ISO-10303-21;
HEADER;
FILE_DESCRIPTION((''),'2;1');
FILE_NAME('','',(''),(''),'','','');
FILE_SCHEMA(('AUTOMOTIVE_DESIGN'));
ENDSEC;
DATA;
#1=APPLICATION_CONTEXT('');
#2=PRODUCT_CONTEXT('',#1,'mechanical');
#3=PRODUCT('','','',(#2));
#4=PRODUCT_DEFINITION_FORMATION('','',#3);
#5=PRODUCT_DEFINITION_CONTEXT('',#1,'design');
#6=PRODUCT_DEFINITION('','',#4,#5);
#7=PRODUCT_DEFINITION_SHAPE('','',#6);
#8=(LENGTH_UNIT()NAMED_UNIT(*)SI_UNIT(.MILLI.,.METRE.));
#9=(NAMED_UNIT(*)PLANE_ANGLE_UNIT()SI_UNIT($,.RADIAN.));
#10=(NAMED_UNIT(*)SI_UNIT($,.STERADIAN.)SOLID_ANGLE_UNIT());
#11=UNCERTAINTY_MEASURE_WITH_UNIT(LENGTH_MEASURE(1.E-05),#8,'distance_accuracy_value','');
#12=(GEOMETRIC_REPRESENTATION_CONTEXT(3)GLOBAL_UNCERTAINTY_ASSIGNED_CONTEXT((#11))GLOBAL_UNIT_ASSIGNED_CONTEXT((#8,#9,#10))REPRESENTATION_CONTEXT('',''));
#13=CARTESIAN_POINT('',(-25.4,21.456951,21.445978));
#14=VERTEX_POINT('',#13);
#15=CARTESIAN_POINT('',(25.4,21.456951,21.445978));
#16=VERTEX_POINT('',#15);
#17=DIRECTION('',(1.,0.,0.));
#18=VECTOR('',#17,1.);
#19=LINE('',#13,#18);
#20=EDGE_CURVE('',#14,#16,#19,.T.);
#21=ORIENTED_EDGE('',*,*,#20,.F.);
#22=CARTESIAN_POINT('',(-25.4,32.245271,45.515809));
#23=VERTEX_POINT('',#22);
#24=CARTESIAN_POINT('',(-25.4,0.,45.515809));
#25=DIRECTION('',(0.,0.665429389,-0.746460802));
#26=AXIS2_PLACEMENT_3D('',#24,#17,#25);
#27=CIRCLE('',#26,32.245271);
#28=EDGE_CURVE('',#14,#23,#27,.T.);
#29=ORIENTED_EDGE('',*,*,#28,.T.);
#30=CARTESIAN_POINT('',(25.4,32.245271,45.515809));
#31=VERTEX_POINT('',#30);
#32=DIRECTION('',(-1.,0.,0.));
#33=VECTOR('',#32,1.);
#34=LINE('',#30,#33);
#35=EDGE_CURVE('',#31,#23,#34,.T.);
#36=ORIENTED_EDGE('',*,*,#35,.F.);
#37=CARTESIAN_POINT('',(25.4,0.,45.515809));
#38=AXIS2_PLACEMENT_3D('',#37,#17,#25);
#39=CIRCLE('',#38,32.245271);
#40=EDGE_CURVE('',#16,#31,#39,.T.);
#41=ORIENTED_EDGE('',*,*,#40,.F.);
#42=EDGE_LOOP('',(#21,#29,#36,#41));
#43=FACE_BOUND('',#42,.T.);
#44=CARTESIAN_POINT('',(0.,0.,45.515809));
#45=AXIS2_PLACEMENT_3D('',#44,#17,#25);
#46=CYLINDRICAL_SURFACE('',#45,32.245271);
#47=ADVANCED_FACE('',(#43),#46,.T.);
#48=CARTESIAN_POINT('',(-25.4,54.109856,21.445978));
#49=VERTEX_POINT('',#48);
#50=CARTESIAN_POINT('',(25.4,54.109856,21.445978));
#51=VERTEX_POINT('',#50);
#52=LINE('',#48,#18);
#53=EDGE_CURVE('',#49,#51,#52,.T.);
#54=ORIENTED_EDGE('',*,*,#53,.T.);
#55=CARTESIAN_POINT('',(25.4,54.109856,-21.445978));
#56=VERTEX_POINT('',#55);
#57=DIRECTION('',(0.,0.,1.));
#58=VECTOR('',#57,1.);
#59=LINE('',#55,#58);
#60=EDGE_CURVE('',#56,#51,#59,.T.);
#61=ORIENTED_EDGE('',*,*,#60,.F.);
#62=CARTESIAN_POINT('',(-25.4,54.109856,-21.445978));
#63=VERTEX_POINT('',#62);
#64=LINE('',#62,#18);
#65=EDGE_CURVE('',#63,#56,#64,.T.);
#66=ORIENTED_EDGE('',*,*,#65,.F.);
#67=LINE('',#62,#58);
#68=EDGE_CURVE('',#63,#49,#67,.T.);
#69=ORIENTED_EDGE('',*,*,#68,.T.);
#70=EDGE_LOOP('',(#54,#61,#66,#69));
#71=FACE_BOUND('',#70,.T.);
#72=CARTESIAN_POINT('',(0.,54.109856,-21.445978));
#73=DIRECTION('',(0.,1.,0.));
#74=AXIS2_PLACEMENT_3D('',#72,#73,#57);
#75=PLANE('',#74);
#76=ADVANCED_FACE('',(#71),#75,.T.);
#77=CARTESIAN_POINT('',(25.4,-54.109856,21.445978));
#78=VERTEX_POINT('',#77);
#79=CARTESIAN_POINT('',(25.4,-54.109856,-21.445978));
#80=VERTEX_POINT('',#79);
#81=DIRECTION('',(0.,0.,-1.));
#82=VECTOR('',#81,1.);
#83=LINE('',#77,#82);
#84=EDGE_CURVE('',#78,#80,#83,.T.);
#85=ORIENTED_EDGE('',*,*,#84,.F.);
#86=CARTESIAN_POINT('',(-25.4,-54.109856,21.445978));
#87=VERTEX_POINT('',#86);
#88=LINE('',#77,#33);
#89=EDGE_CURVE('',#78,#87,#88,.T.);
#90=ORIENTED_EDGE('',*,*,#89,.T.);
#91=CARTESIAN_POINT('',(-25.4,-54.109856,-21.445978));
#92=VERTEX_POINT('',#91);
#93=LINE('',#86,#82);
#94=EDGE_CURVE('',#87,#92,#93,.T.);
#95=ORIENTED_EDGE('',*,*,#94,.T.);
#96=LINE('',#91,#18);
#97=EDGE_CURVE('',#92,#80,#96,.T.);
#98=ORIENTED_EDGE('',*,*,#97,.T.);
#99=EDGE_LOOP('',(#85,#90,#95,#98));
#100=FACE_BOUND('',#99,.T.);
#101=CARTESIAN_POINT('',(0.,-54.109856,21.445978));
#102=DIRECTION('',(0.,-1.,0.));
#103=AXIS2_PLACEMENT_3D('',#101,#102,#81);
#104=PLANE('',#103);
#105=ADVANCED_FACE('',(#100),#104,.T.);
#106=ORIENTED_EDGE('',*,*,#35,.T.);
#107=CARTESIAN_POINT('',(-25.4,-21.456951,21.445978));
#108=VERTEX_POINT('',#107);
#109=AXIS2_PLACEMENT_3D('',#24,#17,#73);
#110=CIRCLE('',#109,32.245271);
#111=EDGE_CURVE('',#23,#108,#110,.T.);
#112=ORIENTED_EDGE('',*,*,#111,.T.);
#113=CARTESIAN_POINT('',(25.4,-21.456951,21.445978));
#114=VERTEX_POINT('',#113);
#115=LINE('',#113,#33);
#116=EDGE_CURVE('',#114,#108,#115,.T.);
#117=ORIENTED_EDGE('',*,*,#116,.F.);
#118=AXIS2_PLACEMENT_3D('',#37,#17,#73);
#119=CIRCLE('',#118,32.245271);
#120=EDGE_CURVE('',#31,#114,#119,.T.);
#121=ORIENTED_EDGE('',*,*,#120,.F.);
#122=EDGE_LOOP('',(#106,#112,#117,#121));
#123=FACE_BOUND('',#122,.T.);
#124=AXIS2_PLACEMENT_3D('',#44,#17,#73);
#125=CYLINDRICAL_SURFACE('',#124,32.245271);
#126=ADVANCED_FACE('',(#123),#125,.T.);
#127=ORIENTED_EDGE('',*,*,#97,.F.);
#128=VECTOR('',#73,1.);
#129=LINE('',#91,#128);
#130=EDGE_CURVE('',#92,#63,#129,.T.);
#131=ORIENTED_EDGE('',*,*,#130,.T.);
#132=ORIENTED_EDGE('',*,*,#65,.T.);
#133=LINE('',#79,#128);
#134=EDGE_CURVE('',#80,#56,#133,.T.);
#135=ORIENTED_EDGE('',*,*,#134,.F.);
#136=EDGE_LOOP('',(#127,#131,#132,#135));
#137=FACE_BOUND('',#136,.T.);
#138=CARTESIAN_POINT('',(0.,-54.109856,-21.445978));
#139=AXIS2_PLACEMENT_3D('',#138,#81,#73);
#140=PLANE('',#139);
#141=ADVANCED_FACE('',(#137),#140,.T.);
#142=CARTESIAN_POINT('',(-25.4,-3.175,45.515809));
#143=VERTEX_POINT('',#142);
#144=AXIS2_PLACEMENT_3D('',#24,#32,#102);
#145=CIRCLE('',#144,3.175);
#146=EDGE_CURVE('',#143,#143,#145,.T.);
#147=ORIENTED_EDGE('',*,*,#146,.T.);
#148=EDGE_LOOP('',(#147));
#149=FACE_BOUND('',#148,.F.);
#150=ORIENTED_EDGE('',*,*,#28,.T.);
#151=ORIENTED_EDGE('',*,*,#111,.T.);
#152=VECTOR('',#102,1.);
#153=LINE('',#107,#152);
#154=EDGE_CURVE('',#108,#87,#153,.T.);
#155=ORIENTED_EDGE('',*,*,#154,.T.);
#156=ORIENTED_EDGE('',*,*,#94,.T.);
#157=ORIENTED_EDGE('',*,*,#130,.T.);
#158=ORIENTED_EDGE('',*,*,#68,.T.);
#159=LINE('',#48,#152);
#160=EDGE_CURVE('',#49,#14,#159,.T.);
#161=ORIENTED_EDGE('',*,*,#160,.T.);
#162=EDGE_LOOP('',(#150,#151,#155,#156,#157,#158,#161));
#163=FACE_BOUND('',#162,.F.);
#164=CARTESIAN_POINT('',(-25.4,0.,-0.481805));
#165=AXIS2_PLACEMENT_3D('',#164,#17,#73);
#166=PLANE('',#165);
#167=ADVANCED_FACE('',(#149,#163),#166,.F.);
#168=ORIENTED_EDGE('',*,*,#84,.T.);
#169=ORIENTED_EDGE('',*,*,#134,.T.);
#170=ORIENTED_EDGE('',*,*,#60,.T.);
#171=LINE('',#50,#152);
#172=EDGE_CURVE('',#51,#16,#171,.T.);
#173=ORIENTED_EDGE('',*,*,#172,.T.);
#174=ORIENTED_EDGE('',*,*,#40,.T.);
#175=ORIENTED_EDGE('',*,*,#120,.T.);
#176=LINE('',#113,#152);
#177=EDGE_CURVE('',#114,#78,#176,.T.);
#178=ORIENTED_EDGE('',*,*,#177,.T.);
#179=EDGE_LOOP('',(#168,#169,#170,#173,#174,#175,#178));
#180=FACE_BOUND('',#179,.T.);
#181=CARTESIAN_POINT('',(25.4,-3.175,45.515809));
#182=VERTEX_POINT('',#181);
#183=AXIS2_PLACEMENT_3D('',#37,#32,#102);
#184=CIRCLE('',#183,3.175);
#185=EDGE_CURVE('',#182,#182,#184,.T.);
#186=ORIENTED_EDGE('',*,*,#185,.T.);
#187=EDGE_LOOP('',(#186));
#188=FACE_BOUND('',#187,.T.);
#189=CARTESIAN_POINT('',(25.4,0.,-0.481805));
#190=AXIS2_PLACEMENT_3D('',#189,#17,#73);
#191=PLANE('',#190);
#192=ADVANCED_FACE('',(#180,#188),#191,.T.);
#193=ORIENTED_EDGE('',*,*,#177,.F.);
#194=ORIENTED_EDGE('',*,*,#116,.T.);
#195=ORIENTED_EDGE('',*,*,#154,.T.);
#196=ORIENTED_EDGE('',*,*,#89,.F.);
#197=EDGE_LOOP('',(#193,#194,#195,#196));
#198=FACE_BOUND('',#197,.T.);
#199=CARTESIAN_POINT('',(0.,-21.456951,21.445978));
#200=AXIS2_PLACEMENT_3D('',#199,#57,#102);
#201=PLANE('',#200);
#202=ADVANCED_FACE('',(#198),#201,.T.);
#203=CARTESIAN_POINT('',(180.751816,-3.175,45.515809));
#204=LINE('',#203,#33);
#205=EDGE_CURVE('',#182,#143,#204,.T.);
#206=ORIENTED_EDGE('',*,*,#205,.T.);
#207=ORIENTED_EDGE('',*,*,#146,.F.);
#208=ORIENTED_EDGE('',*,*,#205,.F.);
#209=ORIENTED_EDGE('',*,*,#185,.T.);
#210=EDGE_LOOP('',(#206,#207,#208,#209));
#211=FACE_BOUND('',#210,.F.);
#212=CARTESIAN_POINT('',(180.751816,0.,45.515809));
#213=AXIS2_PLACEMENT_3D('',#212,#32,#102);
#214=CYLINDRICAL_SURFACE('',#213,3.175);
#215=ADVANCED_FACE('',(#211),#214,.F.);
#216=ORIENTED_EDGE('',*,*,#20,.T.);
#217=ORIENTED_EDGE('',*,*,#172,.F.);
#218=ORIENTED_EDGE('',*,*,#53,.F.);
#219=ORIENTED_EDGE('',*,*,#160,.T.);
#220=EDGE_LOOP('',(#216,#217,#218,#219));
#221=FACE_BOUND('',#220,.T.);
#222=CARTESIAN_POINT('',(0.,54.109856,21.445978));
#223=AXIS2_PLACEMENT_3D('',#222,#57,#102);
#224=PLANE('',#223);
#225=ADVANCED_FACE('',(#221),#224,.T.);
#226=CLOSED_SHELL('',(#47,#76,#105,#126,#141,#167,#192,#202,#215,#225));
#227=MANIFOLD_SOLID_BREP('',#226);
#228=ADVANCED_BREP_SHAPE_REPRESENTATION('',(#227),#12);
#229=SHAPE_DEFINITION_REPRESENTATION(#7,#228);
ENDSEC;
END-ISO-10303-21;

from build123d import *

# Parameters (mm, degrees)
F1_DEPTH = 12.7
F2_DEPTH = 25.4
F4_D     = 6.35


with BuildPart() as f1:
    # F0 (on Right) → F1 (new body, symmetric)
    with BuildSketch(Plane.YZ):
        with BuildLine():
            Line((-54.1098564863, 21.4459784329), (-54.1098564863, -21.4459784329))
            Line((-54.1098564863, -21.4459784329), (54.1098564863, -21.4459784329))
            Line((54.1098564863, -21.4459784329), (54.1098564863, 21.4459784329))
            Line((54.1098564863, 21.4459784329), (21.4569509104, 21.4459784329))
            ThreePointArc((21.4569509104, 21.4459784329), (0, 13.2705383003), (-21.4569509104, 21.4459784329))
            Line((-21.4569509104, 21.4459784329), (-54.1098564863, 21.4459784329))
        make_face()
    extrude(amount=F1_DEPTH, both=True)

    # F0 (on Right) → F2 (join, symmetric)
    with BuildSketch(Plane.YZ):
        with BuildLine():
            Line((-54.1098564863, 21.4459784329), (-54.1098564863, -21.4459784329))
            Line((-54.1098564863, -21.4459784329), (54.1098564863, -21.4459784329))
            Line((54.1098564863, -21.4459784329), (54.1098564863, 21.4459784329))
            Line((54.1098564863, 21.4459784329), (21.4569509104, 21.4459784329))
            ThreePointArc((21.4569509104, 21.4459784329), (0, 13.2705383003), (-21.4569509104, 21.4459784329))
            Line((-21.4569509104, 21.4459784329), (-54.1098564863, 21.4459784329))
        make_face()
        with BuildLine():
            ThreePointArc((32.2452709079, 45.5158092082), (-13.1884855264, 74.9406515262), (-21.4569509104, 21.4459784329))
            Line((-21.4569509104, 21.4459784329), (21.4569509104, 21.4459784329))
            ThreePointArc((21.4569509104, 21.4459784329), (29.4248423181, 32.3273236818), (32.2452709079, 45.5158092082))
        make_face()
        with BuildLine():
            Line((21.4569509104, 21.4459784329), (-21.4569509104, 21.4459784329))
            ThreePointArc((-21.4569509104, 21.4459784329), (0, 13.2705383003), (21.4569509104, 21.4459784329))
        make_face()
    extrude(amount=F2_DEPTH, both=True)

    # F4 (through all)
    with Locations(Plane.YZ.offset(25.4)):
        with Locations((0, 45.5158092082)):
            Hole(F4_D / 2)


solid = f1.part
